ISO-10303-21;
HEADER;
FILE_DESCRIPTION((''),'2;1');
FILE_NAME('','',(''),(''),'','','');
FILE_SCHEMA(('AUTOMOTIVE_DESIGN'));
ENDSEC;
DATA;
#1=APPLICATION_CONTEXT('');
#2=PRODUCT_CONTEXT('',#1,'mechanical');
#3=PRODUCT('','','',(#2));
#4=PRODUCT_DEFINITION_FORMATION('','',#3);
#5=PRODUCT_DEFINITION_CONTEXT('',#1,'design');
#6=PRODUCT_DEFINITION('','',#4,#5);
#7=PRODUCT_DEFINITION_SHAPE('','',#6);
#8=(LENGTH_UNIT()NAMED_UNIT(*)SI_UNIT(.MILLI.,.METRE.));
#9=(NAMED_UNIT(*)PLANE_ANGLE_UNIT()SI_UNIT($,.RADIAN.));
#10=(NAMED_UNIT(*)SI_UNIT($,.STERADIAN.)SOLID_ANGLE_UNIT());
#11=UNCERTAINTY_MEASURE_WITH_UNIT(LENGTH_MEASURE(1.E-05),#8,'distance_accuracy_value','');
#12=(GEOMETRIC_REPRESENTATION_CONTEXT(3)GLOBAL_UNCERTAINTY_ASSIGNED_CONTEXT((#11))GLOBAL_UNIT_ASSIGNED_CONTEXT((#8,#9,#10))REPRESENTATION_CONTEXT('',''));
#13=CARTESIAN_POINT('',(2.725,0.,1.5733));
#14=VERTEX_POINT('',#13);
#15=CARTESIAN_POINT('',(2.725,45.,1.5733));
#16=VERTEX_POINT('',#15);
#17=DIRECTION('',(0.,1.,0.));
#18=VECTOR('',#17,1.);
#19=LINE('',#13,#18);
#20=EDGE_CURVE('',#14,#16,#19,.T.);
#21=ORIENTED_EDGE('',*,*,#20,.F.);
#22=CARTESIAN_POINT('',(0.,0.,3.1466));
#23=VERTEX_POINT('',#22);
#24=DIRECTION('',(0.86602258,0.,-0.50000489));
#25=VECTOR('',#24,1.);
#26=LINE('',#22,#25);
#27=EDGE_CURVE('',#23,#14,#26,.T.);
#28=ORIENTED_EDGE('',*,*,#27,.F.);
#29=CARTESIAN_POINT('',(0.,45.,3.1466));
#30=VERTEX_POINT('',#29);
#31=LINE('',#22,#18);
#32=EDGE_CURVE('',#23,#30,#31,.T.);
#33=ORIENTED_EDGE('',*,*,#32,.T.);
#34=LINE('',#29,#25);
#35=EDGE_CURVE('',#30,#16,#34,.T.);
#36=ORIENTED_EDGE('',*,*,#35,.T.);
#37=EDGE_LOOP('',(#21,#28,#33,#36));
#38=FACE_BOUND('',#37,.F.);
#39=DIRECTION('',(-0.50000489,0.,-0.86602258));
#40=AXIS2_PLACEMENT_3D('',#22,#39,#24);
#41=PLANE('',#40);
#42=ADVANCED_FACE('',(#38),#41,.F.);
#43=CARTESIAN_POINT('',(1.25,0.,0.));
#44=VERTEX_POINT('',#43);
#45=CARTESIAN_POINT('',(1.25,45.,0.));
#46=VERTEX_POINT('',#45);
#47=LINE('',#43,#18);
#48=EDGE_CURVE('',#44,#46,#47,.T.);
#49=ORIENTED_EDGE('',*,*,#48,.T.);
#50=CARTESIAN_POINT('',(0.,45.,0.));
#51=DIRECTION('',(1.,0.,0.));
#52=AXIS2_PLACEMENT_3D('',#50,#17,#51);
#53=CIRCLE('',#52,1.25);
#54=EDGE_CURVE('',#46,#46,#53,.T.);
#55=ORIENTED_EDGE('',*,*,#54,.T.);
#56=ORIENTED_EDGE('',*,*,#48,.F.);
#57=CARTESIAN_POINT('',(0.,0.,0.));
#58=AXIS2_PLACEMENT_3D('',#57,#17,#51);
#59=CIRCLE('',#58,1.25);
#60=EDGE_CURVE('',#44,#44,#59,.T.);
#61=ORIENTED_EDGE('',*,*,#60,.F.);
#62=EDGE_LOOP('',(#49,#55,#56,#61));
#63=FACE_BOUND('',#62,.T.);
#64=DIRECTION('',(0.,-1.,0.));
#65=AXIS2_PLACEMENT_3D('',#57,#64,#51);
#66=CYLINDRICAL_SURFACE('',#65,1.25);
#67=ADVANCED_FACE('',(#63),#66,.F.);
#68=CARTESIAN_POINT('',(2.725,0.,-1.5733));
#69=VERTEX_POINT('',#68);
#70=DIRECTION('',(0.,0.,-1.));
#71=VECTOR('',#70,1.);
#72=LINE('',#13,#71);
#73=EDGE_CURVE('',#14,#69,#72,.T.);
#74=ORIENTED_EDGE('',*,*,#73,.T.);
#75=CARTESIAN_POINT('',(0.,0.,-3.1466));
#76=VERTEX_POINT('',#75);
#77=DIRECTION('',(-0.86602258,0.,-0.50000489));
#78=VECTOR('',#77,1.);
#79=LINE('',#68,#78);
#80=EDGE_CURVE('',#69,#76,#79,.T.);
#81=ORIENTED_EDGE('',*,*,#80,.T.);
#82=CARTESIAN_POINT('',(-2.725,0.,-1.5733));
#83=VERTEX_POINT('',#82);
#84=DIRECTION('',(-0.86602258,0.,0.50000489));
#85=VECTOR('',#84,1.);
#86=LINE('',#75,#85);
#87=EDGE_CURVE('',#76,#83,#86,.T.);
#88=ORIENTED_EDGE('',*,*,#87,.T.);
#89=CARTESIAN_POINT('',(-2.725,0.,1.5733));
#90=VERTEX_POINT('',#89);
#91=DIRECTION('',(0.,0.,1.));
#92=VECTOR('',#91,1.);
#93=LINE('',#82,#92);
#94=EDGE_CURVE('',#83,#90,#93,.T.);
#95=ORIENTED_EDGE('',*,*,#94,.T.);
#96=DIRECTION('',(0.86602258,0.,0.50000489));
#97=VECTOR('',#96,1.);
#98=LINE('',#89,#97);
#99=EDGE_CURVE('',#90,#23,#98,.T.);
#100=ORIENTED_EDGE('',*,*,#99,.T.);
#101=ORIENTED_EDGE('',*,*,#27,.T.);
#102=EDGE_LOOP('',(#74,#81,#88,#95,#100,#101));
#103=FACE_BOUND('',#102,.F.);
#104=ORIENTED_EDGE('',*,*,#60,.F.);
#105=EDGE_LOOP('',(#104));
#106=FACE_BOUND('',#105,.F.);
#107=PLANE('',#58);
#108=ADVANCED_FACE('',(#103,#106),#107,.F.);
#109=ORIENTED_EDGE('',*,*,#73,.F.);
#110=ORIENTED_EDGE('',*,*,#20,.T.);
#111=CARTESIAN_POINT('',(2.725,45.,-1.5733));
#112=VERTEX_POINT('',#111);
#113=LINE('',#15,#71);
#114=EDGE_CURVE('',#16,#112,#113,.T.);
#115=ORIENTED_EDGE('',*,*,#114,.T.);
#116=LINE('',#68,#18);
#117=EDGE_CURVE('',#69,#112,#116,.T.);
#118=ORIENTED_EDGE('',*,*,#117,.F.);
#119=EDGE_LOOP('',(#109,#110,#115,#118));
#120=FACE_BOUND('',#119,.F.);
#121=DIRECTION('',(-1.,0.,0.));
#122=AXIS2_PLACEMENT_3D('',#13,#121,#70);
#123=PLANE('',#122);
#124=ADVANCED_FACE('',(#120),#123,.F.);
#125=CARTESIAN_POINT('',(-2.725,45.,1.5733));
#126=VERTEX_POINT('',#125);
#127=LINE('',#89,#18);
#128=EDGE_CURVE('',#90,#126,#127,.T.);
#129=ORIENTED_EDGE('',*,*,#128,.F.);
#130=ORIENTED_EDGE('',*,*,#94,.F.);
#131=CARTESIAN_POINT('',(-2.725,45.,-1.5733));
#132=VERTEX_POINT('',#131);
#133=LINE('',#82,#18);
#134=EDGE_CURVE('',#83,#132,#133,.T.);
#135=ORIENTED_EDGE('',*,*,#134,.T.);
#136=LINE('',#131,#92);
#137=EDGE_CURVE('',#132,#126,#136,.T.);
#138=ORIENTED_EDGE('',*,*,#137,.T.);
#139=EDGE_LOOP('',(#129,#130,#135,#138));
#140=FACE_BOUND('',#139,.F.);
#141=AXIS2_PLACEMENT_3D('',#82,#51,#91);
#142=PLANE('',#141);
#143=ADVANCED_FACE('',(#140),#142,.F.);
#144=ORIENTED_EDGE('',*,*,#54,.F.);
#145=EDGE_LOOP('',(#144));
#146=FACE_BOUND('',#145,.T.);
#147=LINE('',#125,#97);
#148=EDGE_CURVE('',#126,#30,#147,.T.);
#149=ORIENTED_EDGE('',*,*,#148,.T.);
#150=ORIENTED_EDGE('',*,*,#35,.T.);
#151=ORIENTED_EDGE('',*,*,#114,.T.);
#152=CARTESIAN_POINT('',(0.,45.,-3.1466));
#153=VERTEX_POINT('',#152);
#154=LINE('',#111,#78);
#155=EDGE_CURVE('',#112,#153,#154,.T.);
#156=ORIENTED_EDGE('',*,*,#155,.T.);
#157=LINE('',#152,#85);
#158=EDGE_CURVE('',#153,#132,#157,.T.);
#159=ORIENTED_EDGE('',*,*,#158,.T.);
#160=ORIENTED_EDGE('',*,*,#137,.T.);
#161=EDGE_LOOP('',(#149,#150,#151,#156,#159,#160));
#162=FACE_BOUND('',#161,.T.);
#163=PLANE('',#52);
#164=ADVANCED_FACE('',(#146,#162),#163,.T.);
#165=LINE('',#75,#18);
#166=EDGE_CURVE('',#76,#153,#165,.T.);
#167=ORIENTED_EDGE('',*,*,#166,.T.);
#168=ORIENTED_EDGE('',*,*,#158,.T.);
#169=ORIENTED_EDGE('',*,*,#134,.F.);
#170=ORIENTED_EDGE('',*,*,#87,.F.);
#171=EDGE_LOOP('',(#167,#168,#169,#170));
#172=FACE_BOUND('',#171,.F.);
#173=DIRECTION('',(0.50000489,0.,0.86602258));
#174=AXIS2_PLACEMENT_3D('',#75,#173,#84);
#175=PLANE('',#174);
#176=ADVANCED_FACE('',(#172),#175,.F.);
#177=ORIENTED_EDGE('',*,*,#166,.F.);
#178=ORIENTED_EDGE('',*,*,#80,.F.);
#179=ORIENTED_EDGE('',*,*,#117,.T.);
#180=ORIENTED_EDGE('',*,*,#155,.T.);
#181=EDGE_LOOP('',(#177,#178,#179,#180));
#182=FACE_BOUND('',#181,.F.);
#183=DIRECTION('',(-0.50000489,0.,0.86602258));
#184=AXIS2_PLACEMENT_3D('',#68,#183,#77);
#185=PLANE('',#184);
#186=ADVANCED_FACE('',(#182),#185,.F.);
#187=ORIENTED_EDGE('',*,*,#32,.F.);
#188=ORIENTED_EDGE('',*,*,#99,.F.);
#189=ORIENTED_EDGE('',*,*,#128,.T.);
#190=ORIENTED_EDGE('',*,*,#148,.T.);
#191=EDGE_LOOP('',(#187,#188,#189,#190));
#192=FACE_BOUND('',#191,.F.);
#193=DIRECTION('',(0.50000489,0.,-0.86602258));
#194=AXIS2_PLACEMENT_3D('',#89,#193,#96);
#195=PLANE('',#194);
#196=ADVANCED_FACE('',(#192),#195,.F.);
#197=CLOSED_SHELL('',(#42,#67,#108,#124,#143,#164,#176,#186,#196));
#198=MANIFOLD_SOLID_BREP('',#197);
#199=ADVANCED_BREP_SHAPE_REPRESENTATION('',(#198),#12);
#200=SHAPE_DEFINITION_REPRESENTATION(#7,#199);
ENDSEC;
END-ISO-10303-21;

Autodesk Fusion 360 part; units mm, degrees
sketch "Sketch1" plane through (0, 0, 0) normal (0, 1, 0) x (1, 0, 0)
  line L0 (2.725, 1.5733) -> (0, 3.1466)
  line L1 (0, 3.1466) -> (-2.725, 1.5733)
  line L2 (-2.725, 1.5733) -> (-2.725, -1.5733)
  line L3 (-2.725, -1.5733) -> (0, -3.1466)
  line L4 (0, -3.1466) -> (2.725, -1.5733)
  line L5 (2.725, -1.5733) -> (2.725, 1.5733)
  circle A0 centre (0, 0) radius 1.25
  dimension "d1" = 2.5
extrude "Extrude1" add sketch "Sketch1" along normal blind 45
